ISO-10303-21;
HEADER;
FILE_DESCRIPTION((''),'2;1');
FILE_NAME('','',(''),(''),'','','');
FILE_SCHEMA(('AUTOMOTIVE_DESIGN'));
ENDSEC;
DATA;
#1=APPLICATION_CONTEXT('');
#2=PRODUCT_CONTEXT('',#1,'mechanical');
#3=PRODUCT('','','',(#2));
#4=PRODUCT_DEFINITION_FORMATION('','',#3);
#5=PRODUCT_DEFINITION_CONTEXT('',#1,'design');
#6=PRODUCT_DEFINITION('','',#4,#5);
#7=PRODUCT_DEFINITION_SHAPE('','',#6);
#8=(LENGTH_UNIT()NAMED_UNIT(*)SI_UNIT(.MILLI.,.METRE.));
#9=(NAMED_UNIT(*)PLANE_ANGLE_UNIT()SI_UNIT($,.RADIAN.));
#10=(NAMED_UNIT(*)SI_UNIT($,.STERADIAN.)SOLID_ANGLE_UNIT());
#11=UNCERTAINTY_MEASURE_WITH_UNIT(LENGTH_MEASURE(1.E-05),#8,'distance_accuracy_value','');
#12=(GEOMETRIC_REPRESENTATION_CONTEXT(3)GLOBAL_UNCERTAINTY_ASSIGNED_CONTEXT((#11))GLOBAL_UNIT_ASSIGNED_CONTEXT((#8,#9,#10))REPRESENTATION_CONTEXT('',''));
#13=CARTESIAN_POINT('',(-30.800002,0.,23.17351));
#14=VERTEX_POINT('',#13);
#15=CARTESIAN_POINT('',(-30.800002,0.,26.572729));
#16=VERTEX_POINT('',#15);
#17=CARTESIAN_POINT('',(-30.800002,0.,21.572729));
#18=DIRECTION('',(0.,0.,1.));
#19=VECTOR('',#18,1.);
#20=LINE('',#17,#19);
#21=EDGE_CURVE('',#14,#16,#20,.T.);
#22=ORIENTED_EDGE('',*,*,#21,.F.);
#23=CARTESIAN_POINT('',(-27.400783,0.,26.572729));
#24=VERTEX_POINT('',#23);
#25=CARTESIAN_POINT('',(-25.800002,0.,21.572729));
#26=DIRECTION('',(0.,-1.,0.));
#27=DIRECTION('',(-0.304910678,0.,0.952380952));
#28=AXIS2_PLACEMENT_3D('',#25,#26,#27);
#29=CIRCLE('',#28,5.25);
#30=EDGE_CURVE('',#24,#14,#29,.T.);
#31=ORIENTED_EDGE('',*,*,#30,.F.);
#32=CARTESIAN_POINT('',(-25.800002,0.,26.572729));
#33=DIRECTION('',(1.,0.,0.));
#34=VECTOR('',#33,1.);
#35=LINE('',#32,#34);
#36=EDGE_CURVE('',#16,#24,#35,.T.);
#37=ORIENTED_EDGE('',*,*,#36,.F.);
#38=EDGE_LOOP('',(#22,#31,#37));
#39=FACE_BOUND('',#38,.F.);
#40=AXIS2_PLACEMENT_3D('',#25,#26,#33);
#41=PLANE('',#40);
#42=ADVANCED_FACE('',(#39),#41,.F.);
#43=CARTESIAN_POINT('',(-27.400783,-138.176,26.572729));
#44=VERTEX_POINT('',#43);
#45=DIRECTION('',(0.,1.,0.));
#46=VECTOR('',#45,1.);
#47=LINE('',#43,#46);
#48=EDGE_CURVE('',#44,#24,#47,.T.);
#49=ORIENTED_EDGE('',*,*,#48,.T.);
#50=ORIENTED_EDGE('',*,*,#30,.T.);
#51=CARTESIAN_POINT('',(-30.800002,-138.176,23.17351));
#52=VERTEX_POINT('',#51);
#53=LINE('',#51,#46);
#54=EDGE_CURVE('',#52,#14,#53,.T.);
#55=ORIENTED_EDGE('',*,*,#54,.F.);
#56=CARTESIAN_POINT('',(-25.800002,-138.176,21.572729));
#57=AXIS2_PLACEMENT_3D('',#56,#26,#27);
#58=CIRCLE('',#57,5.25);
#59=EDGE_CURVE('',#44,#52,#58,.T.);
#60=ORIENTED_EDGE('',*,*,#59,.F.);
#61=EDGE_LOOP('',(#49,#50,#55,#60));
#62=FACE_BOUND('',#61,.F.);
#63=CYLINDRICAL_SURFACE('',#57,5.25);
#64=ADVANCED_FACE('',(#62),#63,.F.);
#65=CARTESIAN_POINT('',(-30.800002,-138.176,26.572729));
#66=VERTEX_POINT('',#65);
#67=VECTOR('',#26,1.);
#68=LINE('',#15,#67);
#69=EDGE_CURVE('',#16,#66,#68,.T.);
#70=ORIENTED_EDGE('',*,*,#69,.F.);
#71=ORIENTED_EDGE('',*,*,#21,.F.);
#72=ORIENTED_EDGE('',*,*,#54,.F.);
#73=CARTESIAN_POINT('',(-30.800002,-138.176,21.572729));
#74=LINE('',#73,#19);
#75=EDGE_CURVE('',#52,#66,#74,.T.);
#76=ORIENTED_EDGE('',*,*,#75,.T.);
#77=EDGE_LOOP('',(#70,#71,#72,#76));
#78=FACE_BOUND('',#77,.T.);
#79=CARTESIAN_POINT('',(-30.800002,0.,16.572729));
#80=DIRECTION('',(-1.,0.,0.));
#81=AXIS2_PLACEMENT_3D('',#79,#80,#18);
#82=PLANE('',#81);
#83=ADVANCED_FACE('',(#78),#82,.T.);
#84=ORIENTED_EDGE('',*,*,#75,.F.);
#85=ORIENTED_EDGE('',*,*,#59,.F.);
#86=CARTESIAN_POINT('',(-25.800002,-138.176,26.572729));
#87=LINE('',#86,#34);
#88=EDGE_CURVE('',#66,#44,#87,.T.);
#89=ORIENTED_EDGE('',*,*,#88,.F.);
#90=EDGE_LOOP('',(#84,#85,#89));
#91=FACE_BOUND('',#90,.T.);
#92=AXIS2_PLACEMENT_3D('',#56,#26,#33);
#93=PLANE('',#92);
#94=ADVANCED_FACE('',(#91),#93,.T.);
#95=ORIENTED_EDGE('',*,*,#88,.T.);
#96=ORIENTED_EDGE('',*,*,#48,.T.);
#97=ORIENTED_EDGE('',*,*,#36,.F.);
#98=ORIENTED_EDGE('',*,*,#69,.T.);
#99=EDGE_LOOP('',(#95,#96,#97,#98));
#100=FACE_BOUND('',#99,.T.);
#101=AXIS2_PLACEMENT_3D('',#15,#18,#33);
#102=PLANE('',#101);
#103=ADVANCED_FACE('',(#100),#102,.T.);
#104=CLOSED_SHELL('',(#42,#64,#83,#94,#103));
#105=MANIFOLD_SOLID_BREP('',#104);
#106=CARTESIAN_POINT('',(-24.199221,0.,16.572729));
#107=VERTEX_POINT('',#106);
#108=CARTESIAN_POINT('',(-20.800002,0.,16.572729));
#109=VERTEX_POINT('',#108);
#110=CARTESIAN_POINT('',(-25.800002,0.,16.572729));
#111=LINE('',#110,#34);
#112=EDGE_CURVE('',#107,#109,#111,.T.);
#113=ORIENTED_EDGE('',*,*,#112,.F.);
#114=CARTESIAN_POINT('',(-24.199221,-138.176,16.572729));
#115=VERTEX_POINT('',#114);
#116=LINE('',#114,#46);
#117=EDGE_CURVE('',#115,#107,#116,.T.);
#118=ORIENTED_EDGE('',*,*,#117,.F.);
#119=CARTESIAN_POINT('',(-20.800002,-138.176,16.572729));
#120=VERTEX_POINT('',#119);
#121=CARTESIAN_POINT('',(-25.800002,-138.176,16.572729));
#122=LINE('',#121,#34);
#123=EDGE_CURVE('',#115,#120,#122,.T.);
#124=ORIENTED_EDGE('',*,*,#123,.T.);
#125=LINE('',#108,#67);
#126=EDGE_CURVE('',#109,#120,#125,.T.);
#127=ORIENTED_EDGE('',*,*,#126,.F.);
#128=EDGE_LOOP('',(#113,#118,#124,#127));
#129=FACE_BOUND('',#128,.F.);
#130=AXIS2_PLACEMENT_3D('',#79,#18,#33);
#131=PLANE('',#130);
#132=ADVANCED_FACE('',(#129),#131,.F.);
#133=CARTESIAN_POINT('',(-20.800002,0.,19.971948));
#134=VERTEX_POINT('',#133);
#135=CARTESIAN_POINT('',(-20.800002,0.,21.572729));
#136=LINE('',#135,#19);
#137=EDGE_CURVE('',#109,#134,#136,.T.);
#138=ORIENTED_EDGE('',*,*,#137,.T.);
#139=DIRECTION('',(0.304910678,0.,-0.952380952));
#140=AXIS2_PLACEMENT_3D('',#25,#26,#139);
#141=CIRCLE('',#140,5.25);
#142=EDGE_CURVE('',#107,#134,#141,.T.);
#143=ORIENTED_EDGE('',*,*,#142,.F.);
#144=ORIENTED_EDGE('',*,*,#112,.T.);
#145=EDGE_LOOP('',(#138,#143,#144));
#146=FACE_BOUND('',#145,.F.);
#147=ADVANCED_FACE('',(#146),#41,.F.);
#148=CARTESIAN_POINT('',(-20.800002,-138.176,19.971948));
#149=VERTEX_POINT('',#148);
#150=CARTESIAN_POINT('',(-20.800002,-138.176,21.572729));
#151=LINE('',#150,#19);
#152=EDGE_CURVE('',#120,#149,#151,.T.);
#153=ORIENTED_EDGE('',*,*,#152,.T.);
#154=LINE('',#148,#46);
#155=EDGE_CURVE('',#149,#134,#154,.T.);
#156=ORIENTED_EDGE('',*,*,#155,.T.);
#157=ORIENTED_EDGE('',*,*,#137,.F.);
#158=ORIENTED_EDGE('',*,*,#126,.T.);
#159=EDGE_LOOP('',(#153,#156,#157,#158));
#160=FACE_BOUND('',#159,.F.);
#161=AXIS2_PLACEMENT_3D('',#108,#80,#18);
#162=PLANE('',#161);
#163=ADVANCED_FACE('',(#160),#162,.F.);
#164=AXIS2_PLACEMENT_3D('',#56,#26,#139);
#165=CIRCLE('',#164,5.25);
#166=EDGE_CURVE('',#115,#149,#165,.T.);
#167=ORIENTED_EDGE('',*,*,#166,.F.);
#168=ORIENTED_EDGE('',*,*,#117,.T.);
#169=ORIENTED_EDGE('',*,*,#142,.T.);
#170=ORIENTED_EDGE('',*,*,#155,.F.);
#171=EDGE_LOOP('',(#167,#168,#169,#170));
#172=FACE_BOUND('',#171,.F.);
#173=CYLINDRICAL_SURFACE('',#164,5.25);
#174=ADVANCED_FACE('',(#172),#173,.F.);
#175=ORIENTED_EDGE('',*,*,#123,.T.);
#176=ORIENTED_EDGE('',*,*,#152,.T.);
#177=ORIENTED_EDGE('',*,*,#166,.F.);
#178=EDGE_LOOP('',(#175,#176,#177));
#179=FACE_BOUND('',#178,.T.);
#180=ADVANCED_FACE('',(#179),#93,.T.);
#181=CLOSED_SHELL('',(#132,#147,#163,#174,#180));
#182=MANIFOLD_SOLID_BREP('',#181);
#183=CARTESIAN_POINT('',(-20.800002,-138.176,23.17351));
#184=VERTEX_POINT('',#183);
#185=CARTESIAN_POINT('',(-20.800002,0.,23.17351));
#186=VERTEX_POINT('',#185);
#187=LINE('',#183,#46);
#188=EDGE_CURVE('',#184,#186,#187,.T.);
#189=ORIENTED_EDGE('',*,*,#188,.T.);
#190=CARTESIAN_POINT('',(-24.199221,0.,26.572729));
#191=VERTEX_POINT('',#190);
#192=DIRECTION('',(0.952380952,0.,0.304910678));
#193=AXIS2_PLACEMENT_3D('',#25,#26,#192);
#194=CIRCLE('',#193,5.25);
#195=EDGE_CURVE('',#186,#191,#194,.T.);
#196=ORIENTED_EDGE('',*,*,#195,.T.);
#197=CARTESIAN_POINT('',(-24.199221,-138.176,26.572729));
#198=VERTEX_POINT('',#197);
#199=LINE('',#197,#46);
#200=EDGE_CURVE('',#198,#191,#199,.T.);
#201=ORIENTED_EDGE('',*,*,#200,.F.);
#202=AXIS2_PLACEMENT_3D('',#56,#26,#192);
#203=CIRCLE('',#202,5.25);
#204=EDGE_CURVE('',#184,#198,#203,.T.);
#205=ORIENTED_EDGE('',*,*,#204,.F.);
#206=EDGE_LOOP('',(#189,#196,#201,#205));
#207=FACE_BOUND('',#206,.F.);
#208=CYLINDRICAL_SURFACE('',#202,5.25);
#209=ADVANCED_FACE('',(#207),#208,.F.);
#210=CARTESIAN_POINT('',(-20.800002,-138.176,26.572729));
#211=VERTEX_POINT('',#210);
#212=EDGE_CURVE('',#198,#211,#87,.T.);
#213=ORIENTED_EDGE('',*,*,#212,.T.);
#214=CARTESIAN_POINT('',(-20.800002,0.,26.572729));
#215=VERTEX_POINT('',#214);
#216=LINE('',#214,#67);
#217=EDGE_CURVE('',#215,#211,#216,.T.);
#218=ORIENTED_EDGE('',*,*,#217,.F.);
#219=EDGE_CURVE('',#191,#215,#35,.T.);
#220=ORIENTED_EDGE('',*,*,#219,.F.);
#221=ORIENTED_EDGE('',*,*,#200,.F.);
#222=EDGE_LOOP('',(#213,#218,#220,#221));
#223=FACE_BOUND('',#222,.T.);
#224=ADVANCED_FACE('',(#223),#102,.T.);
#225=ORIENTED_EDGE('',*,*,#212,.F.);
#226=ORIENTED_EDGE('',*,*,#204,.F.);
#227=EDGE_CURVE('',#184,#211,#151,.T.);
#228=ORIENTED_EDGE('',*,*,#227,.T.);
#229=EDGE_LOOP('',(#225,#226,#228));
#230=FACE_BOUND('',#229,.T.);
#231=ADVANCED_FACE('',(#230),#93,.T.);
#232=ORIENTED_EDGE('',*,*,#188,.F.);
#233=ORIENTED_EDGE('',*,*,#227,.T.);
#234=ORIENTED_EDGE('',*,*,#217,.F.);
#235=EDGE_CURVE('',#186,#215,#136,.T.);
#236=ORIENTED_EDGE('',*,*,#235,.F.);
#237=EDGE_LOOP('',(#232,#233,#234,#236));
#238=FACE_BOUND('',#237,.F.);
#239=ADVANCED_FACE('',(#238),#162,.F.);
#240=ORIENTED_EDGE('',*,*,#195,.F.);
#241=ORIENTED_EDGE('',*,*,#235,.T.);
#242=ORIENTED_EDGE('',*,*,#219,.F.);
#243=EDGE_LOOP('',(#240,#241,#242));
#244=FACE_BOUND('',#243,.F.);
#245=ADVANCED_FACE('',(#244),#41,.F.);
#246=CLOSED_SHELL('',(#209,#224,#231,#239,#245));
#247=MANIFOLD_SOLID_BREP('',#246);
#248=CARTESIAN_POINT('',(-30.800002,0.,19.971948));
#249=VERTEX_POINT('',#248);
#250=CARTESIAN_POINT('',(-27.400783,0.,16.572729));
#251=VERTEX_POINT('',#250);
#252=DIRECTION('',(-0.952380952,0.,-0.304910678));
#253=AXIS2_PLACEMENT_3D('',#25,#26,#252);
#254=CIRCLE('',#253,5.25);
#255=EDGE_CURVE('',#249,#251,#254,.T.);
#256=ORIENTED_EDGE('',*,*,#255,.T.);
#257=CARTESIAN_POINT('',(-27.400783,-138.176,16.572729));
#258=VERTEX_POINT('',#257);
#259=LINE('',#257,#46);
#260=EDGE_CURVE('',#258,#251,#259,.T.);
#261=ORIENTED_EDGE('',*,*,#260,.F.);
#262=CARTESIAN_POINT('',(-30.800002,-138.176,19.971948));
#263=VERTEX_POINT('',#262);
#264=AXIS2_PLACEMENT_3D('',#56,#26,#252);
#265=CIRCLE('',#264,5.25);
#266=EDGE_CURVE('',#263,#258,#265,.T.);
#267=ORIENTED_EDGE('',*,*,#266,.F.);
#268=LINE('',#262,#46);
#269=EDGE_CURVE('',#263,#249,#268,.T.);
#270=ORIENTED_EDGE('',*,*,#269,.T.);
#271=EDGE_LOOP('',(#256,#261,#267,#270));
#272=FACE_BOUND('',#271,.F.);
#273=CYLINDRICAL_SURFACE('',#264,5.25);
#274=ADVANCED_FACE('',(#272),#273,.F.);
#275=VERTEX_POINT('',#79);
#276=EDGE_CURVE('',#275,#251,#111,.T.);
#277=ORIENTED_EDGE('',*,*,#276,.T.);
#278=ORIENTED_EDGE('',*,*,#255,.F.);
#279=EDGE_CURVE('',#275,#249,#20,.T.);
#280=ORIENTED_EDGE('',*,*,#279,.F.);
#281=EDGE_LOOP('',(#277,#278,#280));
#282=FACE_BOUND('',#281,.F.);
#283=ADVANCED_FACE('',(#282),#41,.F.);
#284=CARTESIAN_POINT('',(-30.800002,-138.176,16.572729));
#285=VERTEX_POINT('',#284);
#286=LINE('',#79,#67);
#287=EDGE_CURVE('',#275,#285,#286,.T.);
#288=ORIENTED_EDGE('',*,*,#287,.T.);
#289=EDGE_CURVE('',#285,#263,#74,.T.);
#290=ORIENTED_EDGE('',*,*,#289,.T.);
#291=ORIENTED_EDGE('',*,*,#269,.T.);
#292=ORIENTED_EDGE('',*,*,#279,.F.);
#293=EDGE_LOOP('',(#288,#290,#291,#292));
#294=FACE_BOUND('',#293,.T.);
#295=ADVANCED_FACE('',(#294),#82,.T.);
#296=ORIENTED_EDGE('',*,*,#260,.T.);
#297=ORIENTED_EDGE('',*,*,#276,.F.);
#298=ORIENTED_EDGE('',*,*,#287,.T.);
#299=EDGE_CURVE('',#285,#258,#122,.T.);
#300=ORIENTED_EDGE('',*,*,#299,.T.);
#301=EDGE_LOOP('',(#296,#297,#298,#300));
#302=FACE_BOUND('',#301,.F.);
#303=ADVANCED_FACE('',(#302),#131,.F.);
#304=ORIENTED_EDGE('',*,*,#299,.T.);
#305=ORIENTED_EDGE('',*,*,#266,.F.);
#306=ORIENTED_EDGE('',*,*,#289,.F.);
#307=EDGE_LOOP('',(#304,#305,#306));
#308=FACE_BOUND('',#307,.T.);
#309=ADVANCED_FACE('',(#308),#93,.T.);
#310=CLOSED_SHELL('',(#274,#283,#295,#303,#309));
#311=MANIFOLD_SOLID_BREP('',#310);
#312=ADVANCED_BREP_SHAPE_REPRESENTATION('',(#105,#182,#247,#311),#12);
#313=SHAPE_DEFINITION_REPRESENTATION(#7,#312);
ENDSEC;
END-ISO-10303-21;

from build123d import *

# Parameters (mm, degrees)
F0_W     = 10
F0_H     = 10
F1_DEPTH = 138.176
F3_DEPTH = 138.177
F4_DEPTH = 138.177


with BuildPart() as f1:
    # F0 (on Front) → F1 (new body)
    with BuildSketch(Plane.XZ):
        with Locations((-25.8000018075, 21.5727293458)):
            Rectangle(F0_W, F0_H)
    extrude(amount=F1_DEPTH)

    # F2 (on face) → F3 (cut, through all)
    with BuildSketch(Plane.XZ.offset(138.176)):
        with BuildLine():
            Line((-20.8000018075, 19.9719482864), (-20.8000018075, 23.1735104051))
            ThreePointArc((-20.8000018075, 23.1735104051), (-22.0876912063, 25.285039947), (-24.1992207482, 26.5727293458))
            Line((-24.1992207482, 26.5727293458), (-27.4007828669, 26.5727293458))
            ThreePointArc((-27.4007828669, 26.5727293458), (-29.5123124087, 25.285039947), (-30.8000018075, 23.1735104051))
            Line((-30.8000018075, 23.1735104051), (-30.8000018075, 19.9719482864))
            ThreePointArc((-30.8000018075, 19.9719482864), (-29.5123124087, 17.8604187446), (-27.4007828669, 16.5727293458))
            Line((-27.4007828669, 16.5727293458), (-24.1992207482, 16.5727293458))
            ThreePointArc((-24.1992207482, 16.5727293458), (-22.0876912063, 17.8604187446), (-20.8000018075, 19.9719482864))
        make_face()
    extrude(amount=-F3_DEPTH, mode=Mode.SUBTRACT)

    # F2 (on face) → F4 (cut, through all)
    with BuildSketch(Plane.XZ.offset(138.176)):
        with BuildLine():
            Line((-20.8000018075, 19.9719482864), (-20.8000018075, 23.1735104051))
            ThreePointArc((-20.8000018075, 23.1735104051), (-22.0876912063, 25.285039947), (-24.1992207482, 26.5727293458))
            Line((-24.1992207482, 26.5727293458), (-27.4007828669, 26.5727293458))
            ThreePointArc((-27.4007828669, 26.5727293458), (-29.5123124087, 25.285039947), (-30.8000018075, 23.1735104051))
            Line((-30.8000018075, 23.1735104051), (-30.8000018075, 19.9719482864))
            ThreePointArc((-30.8000018075, 19.9719482864), (-29.5123124087, 17.8604187446), (-27.4007828669, 16.5727293458))
            Line((-27.4007828669, 16.5727293458), (-24.1992207482, 16.5727293458))
            ThreePointArc((-24.1992207482, 16.5727293458), (-22.0876912063, 17.8604187446), (-20.8000018075, 19.9719482864))
        make_face()
    extrude(amount=-F4_DEPTH, mode=Mode.SUBTRACT)


solid = f1.part
